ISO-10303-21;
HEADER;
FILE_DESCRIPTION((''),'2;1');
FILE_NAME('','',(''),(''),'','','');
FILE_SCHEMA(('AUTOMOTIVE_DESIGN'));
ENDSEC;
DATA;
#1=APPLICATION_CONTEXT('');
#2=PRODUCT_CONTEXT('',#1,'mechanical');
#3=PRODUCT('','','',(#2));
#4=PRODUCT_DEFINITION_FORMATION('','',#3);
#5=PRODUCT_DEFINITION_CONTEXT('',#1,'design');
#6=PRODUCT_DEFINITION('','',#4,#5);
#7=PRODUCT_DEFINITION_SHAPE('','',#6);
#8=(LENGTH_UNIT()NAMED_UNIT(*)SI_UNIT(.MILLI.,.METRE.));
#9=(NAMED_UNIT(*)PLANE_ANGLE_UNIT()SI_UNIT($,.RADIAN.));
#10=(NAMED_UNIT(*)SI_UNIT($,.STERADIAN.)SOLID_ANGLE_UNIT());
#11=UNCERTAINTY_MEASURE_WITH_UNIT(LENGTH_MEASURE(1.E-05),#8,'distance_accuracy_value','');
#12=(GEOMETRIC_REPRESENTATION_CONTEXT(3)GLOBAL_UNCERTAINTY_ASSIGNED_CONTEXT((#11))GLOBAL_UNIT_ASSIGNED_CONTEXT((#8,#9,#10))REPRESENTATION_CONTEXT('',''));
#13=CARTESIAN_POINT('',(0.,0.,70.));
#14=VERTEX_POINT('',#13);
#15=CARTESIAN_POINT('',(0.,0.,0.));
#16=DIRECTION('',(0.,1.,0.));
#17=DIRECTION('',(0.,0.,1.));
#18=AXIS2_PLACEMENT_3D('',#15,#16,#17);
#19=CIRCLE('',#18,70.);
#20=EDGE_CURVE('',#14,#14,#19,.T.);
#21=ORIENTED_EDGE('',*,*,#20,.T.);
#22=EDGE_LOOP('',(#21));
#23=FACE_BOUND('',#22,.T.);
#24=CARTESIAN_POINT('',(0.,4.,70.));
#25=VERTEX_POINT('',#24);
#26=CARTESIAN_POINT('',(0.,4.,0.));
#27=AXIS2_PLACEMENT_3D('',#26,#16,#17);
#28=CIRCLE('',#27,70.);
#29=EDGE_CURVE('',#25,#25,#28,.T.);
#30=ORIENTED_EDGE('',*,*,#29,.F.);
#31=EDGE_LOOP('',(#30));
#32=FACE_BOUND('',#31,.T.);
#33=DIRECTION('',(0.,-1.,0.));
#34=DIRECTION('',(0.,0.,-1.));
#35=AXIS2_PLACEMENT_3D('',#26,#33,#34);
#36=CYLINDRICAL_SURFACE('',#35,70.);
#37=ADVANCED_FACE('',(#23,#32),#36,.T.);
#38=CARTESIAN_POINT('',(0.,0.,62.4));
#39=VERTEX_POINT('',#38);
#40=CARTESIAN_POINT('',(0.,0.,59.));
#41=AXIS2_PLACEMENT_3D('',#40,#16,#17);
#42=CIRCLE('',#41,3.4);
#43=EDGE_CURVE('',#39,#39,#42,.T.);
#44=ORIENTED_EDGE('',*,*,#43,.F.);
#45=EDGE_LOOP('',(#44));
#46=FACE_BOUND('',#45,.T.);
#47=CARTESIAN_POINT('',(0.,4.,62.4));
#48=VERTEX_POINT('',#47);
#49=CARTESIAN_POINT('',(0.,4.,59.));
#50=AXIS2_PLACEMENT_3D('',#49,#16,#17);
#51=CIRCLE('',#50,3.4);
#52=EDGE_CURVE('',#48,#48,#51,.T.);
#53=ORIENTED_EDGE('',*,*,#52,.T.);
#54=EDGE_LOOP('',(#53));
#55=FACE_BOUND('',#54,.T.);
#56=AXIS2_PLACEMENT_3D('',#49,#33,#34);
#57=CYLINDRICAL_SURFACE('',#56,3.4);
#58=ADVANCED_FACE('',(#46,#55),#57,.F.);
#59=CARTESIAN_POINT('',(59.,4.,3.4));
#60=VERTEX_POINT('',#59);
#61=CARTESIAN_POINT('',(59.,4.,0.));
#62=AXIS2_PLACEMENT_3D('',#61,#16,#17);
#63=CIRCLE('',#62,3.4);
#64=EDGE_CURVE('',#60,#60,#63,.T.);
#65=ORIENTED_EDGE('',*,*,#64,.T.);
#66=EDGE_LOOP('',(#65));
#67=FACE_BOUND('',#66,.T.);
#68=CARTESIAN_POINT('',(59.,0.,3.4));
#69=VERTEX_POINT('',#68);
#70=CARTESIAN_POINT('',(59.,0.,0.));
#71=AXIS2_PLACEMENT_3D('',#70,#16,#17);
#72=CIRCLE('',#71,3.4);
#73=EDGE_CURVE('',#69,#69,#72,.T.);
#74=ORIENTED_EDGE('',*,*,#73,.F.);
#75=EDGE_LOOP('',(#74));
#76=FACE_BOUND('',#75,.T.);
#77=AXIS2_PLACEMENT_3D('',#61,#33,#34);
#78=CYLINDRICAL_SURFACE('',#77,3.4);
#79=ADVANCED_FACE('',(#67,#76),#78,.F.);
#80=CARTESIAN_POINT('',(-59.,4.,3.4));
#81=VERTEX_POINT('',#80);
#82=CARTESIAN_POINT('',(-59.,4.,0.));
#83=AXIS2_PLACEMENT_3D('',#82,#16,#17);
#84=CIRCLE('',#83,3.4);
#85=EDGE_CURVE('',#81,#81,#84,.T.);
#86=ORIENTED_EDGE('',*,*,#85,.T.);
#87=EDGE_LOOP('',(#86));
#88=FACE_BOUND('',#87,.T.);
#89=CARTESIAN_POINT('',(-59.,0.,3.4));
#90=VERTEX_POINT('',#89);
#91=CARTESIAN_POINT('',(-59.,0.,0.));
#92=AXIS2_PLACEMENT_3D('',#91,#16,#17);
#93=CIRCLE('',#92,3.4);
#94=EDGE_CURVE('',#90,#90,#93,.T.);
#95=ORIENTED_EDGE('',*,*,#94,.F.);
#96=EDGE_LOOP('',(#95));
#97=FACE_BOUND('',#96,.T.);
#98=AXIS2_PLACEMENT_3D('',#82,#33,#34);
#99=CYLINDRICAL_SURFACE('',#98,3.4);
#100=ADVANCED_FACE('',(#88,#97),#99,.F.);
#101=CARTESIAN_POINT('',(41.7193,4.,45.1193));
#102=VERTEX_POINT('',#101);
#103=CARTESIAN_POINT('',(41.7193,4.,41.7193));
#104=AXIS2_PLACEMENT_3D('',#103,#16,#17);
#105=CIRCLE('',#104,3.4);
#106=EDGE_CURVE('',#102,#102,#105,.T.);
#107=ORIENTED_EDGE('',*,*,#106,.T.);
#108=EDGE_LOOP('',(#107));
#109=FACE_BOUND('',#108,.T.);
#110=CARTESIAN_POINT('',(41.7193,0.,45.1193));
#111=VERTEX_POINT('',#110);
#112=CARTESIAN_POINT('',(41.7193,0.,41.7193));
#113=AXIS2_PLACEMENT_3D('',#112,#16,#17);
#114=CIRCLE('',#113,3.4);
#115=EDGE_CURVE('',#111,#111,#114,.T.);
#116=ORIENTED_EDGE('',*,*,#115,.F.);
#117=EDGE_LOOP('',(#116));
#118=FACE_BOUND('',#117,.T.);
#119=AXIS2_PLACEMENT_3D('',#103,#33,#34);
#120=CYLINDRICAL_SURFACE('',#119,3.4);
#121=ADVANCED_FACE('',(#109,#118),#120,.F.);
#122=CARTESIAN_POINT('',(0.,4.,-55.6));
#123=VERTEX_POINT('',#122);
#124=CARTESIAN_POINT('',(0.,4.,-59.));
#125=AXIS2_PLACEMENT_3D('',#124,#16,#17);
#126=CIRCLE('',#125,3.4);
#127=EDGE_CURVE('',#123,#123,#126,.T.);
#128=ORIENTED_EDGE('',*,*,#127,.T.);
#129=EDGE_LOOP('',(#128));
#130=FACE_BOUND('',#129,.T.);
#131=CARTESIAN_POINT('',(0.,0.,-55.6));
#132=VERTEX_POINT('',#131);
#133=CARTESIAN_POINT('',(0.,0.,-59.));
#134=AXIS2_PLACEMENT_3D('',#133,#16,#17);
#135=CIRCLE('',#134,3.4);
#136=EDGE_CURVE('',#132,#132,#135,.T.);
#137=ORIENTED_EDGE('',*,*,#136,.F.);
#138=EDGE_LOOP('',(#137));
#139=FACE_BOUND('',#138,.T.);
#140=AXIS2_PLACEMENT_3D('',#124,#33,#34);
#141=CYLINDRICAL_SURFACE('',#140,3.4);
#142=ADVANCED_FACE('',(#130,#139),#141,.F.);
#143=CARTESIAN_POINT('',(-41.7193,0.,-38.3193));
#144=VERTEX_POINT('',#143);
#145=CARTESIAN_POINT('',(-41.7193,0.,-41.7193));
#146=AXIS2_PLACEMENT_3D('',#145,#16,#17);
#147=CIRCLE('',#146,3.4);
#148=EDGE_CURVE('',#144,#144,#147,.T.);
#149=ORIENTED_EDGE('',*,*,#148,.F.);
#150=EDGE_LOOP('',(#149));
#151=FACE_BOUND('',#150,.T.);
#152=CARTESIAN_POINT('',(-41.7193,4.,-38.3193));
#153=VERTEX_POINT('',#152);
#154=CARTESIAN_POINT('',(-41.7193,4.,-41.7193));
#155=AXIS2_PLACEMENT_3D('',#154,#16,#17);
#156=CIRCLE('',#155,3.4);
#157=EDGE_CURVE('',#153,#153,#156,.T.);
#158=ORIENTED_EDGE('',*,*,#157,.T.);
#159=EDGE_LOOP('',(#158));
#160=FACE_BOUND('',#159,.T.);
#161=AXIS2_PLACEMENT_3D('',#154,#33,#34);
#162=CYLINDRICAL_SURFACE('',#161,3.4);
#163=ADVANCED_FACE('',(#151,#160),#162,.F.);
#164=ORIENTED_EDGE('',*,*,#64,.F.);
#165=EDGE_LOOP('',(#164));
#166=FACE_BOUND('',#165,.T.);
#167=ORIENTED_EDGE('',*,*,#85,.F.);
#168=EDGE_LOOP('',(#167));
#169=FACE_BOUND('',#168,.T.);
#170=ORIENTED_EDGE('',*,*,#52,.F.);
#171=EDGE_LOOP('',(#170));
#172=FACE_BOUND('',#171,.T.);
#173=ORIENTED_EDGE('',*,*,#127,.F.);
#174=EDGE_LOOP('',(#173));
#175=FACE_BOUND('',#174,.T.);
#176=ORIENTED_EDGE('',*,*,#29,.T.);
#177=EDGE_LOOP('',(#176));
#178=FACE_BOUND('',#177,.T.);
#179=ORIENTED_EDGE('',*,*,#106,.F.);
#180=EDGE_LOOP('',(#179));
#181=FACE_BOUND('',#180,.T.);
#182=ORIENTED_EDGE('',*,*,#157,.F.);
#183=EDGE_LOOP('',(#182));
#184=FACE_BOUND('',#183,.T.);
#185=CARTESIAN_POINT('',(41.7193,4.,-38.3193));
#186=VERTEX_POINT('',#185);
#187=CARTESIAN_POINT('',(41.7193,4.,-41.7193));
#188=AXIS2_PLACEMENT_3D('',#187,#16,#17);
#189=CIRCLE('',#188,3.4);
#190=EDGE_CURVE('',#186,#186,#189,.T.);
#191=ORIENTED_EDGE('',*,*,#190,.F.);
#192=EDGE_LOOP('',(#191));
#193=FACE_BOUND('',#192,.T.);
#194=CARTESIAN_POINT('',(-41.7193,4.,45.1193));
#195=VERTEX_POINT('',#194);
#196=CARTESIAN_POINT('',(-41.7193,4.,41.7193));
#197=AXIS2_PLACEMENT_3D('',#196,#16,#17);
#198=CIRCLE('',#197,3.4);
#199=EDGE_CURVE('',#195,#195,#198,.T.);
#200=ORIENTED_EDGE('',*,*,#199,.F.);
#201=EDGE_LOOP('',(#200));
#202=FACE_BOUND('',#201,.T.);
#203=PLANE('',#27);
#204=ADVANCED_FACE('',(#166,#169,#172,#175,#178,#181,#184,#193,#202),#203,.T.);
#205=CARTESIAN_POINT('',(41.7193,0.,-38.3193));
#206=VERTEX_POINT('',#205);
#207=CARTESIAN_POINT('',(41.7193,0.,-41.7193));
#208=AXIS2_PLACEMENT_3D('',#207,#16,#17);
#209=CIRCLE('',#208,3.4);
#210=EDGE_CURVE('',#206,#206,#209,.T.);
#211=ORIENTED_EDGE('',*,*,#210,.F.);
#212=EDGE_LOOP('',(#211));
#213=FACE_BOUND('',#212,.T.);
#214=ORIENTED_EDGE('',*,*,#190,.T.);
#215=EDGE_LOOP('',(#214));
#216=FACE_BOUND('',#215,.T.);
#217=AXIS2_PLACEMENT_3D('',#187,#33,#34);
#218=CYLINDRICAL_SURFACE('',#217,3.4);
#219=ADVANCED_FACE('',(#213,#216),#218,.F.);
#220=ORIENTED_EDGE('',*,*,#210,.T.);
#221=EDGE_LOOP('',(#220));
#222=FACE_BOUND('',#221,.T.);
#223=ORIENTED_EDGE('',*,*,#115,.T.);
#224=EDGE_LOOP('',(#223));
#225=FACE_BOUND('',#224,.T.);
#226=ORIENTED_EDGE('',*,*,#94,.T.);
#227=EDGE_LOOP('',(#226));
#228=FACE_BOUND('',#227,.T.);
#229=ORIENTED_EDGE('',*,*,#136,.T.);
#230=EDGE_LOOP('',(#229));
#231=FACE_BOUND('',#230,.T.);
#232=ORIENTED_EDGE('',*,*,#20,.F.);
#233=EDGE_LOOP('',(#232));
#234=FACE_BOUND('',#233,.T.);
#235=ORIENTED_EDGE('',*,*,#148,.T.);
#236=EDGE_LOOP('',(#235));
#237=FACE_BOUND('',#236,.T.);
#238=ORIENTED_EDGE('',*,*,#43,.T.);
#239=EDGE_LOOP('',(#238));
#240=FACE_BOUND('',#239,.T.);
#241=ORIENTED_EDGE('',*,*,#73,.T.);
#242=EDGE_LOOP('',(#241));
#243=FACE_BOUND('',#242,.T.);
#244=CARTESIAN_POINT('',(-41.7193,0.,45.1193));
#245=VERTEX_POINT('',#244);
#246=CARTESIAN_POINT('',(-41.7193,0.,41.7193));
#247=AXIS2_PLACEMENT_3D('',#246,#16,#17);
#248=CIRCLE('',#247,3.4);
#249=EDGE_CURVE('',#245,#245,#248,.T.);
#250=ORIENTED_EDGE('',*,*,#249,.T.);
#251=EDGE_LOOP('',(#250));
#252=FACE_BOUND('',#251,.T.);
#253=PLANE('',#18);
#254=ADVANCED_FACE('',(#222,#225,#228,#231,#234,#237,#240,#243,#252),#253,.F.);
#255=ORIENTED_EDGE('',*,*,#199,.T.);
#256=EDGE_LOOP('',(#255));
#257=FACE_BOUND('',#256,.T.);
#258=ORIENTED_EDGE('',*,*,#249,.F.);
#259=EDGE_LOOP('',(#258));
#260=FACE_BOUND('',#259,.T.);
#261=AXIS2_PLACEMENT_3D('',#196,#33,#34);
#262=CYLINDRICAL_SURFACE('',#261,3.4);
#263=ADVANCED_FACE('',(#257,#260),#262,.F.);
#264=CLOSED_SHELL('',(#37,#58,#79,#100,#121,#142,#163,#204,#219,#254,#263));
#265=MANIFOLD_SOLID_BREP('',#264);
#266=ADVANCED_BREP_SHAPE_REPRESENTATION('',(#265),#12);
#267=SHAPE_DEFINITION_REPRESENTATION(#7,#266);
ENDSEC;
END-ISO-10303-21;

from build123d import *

# Parameters (mm, degrees)
SKETCH_1_R      = 70
SKETCH_1_R_2    = 3.4
EXTRUDE_1_DEPTH = 4


with BuildPart() as part:
    # Эскиз1 → Бобышка-Вытянуть1 (new body)
    with BuildSketch(Plane(origin=(0, 0, 0), x_dir=(1, 0, 0), z_dir=(0, 1, 0))):
        with Locations(Location((0, 0, 0), (0, 0, 270))):
            Circle(SKETCH_1_R)
        with Locations(Location((59, 0, 0), (0, 0, 270))):
            Circle(SKETCH_1_R_2, mode=Mode.SUBTRACT)
        with Locations(Location((41.71930009, -41.71930009, 0), (0, 0, 270))):
            Circle(SKETCH_1_R_2, mode=Mode.SUBTRACT)
        with Locations(Location((0, -59, 0), (0, 0, 270))):
            Circle(SKETCH_1_R_2, mode=Mode.SUBTRACT)
        with Locations(Location((-41.71930009, -41.71930009, 0), (0, 0, 270))):
            Circle(SKETCH_1_R_2, mode=Mode.SUBTRACT)
        with Locations(Location((-59, 0, 0), (0, 0, 270))):
            Circle(SKETCH_1_R_2, mode=Mode.SUBTRACT)
        with Locations(Location((-41.71930009, 41.71930009, 0), (0, 0, 270))):
            Circle(SKETCH_1_R_2, mode=Mode.SUBTRACT)
        with Locations(Location((0, 59, 0), (0, 0, 270))):
            Circle(SKETCH_1_R_2, mode=Mode.SUBTRACT)
        with Locations(Location((41.71930009, 41.71930009, 0), (0, 0, 270))):
            Circle(SKETCH_1_R_2, mode=Mode.SUBTRACT)
    extrude(amount=EXTRUDE_1_DEPTH)


solid = part.part
